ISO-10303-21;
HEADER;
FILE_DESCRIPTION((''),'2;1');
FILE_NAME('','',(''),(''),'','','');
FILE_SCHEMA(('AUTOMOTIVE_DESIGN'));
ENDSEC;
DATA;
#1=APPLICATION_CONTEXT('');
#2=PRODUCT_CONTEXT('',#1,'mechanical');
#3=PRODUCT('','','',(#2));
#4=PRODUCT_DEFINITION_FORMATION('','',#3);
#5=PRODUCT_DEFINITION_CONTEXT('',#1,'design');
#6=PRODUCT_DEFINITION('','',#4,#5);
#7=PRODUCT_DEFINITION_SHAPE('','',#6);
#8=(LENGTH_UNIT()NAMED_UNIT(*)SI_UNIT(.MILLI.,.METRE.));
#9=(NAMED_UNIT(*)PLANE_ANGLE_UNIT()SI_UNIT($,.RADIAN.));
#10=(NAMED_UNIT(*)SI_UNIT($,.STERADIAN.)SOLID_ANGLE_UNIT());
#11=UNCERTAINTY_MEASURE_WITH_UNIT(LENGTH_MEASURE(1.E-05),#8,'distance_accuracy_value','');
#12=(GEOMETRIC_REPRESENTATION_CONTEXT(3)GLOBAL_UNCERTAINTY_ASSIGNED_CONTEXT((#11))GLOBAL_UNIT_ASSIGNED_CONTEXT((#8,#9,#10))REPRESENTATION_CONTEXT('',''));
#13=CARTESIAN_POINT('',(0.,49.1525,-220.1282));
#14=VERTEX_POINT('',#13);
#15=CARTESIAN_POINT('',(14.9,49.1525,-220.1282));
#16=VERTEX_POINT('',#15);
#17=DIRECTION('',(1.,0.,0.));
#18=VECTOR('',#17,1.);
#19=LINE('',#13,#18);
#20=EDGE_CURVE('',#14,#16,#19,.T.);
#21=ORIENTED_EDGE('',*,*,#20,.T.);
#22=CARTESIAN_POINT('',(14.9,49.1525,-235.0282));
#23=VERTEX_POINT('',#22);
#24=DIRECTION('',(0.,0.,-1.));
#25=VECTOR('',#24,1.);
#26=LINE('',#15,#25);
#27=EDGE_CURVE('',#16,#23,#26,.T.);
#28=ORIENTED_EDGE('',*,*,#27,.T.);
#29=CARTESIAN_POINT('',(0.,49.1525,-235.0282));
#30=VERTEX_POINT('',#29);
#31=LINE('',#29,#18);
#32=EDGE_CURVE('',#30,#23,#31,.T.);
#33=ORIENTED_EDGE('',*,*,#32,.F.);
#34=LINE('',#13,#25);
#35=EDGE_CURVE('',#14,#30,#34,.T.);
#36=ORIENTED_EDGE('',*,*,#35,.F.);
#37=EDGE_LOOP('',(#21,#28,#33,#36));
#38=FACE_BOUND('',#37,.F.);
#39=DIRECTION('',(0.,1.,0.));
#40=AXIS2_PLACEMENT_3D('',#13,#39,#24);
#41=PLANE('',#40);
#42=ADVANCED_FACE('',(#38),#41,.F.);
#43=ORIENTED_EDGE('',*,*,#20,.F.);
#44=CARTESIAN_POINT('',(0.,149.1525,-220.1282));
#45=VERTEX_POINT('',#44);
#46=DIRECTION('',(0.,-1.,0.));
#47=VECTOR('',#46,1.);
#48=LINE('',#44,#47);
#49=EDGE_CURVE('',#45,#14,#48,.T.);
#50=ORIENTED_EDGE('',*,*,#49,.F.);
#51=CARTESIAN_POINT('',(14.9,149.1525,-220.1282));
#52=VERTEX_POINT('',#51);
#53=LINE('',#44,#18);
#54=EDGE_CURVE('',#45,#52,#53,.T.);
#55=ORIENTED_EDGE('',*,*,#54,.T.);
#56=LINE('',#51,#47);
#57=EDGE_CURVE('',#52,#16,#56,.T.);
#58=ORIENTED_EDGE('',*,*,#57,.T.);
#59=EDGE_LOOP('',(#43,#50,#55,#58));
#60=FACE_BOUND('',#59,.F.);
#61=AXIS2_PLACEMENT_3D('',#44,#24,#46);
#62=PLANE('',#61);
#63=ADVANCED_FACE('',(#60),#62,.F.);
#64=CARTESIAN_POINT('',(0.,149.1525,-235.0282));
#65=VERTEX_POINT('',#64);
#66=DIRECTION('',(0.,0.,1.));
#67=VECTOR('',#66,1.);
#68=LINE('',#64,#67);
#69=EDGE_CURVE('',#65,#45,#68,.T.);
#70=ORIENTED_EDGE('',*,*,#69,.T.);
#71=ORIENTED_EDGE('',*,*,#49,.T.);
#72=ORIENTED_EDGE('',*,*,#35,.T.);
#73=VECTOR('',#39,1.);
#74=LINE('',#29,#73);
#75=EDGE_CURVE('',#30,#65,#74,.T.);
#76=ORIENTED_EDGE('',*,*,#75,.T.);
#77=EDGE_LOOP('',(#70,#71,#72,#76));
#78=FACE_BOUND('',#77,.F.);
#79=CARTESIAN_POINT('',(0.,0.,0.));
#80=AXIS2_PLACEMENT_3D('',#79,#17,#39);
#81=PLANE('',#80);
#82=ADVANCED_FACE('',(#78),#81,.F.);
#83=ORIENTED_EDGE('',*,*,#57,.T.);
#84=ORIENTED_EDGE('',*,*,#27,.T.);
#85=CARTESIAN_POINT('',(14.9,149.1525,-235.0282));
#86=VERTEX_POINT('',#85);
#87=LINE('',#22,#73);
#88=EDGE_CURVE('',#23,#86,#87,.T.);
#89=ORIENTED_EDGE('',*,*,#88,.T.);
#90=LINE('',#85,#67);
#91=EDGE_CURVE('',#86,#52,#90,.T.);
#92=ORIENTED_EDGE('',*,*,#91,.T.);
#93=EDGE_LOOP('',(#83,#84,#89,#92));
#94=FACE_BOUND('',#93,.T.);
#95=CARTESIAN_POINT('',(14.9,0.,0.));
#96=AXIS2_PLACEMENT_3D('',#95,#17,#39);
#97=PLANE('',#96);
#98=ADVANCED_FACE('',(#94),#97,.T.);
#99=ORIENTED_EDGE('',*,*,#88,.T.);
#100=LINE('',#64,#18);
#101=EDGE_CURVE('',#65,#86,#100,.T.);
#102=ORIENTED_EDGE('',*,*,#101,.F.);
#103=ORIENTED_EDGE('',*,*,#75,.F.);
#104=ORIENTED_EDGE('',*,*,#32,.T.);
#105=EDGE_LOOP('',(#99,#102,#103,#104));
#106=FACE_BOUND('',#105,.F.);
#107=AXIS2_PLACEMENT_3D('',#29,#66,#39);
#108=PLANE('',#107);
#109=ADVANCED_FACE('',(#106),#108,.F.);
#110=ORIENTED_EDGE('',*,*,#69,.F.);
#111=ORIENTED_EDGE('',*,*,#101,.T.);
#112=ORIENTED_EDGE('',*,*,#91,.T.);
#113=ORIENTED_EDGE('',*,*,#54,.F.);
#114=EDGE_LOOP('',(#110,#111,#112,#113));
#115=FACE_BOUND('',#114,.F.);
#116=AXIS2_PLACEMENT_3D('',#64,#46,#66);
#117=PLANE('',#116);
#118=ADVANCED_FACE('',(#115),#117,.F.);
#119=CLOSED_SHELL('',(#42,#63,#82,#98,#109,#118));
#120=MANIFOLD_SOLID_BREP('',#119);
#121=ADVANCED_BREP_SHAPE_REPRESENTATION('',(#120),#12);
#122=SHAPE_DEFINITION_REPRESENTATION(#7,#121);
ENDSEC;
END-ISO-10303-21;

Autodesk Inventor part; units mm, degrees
ref_plane "YZ Plane" through (0, 0, 0) normal (1, 0, 0) x (0, 1, 0)
ref_plane "XZ Plane" through (0, 0, 0) normal (0, 1, 0) x (-1, 0, 0)
ref_plane "XY Plane" through (0, 0, 0) normal (0, 0, 1) x (1, 0, 0)
sketch "Schizzo1" plane through (0, 0, 0) normal (1, 0, 0) x (0, 1, 0)
  line L0 (49.1525, -235.0282) -> (149.1525, -235.0282)
  line L1 (149.1525, -235.0282) -> (149.1525, -220.1282)
  line L2 (149.1525, -220.1282) -> (49.1525, -220.1282)
  line L3 (49.1525, -220.1282) -> (49.1525, -235.0282)
  point P0 (0, 0)
  dimension "d0" = 100
  dimension "d1" = 14.9
extrude "Estrusione1" add sketch "Schizzo1" along normal blind 14.9
properties part number "guida z"
